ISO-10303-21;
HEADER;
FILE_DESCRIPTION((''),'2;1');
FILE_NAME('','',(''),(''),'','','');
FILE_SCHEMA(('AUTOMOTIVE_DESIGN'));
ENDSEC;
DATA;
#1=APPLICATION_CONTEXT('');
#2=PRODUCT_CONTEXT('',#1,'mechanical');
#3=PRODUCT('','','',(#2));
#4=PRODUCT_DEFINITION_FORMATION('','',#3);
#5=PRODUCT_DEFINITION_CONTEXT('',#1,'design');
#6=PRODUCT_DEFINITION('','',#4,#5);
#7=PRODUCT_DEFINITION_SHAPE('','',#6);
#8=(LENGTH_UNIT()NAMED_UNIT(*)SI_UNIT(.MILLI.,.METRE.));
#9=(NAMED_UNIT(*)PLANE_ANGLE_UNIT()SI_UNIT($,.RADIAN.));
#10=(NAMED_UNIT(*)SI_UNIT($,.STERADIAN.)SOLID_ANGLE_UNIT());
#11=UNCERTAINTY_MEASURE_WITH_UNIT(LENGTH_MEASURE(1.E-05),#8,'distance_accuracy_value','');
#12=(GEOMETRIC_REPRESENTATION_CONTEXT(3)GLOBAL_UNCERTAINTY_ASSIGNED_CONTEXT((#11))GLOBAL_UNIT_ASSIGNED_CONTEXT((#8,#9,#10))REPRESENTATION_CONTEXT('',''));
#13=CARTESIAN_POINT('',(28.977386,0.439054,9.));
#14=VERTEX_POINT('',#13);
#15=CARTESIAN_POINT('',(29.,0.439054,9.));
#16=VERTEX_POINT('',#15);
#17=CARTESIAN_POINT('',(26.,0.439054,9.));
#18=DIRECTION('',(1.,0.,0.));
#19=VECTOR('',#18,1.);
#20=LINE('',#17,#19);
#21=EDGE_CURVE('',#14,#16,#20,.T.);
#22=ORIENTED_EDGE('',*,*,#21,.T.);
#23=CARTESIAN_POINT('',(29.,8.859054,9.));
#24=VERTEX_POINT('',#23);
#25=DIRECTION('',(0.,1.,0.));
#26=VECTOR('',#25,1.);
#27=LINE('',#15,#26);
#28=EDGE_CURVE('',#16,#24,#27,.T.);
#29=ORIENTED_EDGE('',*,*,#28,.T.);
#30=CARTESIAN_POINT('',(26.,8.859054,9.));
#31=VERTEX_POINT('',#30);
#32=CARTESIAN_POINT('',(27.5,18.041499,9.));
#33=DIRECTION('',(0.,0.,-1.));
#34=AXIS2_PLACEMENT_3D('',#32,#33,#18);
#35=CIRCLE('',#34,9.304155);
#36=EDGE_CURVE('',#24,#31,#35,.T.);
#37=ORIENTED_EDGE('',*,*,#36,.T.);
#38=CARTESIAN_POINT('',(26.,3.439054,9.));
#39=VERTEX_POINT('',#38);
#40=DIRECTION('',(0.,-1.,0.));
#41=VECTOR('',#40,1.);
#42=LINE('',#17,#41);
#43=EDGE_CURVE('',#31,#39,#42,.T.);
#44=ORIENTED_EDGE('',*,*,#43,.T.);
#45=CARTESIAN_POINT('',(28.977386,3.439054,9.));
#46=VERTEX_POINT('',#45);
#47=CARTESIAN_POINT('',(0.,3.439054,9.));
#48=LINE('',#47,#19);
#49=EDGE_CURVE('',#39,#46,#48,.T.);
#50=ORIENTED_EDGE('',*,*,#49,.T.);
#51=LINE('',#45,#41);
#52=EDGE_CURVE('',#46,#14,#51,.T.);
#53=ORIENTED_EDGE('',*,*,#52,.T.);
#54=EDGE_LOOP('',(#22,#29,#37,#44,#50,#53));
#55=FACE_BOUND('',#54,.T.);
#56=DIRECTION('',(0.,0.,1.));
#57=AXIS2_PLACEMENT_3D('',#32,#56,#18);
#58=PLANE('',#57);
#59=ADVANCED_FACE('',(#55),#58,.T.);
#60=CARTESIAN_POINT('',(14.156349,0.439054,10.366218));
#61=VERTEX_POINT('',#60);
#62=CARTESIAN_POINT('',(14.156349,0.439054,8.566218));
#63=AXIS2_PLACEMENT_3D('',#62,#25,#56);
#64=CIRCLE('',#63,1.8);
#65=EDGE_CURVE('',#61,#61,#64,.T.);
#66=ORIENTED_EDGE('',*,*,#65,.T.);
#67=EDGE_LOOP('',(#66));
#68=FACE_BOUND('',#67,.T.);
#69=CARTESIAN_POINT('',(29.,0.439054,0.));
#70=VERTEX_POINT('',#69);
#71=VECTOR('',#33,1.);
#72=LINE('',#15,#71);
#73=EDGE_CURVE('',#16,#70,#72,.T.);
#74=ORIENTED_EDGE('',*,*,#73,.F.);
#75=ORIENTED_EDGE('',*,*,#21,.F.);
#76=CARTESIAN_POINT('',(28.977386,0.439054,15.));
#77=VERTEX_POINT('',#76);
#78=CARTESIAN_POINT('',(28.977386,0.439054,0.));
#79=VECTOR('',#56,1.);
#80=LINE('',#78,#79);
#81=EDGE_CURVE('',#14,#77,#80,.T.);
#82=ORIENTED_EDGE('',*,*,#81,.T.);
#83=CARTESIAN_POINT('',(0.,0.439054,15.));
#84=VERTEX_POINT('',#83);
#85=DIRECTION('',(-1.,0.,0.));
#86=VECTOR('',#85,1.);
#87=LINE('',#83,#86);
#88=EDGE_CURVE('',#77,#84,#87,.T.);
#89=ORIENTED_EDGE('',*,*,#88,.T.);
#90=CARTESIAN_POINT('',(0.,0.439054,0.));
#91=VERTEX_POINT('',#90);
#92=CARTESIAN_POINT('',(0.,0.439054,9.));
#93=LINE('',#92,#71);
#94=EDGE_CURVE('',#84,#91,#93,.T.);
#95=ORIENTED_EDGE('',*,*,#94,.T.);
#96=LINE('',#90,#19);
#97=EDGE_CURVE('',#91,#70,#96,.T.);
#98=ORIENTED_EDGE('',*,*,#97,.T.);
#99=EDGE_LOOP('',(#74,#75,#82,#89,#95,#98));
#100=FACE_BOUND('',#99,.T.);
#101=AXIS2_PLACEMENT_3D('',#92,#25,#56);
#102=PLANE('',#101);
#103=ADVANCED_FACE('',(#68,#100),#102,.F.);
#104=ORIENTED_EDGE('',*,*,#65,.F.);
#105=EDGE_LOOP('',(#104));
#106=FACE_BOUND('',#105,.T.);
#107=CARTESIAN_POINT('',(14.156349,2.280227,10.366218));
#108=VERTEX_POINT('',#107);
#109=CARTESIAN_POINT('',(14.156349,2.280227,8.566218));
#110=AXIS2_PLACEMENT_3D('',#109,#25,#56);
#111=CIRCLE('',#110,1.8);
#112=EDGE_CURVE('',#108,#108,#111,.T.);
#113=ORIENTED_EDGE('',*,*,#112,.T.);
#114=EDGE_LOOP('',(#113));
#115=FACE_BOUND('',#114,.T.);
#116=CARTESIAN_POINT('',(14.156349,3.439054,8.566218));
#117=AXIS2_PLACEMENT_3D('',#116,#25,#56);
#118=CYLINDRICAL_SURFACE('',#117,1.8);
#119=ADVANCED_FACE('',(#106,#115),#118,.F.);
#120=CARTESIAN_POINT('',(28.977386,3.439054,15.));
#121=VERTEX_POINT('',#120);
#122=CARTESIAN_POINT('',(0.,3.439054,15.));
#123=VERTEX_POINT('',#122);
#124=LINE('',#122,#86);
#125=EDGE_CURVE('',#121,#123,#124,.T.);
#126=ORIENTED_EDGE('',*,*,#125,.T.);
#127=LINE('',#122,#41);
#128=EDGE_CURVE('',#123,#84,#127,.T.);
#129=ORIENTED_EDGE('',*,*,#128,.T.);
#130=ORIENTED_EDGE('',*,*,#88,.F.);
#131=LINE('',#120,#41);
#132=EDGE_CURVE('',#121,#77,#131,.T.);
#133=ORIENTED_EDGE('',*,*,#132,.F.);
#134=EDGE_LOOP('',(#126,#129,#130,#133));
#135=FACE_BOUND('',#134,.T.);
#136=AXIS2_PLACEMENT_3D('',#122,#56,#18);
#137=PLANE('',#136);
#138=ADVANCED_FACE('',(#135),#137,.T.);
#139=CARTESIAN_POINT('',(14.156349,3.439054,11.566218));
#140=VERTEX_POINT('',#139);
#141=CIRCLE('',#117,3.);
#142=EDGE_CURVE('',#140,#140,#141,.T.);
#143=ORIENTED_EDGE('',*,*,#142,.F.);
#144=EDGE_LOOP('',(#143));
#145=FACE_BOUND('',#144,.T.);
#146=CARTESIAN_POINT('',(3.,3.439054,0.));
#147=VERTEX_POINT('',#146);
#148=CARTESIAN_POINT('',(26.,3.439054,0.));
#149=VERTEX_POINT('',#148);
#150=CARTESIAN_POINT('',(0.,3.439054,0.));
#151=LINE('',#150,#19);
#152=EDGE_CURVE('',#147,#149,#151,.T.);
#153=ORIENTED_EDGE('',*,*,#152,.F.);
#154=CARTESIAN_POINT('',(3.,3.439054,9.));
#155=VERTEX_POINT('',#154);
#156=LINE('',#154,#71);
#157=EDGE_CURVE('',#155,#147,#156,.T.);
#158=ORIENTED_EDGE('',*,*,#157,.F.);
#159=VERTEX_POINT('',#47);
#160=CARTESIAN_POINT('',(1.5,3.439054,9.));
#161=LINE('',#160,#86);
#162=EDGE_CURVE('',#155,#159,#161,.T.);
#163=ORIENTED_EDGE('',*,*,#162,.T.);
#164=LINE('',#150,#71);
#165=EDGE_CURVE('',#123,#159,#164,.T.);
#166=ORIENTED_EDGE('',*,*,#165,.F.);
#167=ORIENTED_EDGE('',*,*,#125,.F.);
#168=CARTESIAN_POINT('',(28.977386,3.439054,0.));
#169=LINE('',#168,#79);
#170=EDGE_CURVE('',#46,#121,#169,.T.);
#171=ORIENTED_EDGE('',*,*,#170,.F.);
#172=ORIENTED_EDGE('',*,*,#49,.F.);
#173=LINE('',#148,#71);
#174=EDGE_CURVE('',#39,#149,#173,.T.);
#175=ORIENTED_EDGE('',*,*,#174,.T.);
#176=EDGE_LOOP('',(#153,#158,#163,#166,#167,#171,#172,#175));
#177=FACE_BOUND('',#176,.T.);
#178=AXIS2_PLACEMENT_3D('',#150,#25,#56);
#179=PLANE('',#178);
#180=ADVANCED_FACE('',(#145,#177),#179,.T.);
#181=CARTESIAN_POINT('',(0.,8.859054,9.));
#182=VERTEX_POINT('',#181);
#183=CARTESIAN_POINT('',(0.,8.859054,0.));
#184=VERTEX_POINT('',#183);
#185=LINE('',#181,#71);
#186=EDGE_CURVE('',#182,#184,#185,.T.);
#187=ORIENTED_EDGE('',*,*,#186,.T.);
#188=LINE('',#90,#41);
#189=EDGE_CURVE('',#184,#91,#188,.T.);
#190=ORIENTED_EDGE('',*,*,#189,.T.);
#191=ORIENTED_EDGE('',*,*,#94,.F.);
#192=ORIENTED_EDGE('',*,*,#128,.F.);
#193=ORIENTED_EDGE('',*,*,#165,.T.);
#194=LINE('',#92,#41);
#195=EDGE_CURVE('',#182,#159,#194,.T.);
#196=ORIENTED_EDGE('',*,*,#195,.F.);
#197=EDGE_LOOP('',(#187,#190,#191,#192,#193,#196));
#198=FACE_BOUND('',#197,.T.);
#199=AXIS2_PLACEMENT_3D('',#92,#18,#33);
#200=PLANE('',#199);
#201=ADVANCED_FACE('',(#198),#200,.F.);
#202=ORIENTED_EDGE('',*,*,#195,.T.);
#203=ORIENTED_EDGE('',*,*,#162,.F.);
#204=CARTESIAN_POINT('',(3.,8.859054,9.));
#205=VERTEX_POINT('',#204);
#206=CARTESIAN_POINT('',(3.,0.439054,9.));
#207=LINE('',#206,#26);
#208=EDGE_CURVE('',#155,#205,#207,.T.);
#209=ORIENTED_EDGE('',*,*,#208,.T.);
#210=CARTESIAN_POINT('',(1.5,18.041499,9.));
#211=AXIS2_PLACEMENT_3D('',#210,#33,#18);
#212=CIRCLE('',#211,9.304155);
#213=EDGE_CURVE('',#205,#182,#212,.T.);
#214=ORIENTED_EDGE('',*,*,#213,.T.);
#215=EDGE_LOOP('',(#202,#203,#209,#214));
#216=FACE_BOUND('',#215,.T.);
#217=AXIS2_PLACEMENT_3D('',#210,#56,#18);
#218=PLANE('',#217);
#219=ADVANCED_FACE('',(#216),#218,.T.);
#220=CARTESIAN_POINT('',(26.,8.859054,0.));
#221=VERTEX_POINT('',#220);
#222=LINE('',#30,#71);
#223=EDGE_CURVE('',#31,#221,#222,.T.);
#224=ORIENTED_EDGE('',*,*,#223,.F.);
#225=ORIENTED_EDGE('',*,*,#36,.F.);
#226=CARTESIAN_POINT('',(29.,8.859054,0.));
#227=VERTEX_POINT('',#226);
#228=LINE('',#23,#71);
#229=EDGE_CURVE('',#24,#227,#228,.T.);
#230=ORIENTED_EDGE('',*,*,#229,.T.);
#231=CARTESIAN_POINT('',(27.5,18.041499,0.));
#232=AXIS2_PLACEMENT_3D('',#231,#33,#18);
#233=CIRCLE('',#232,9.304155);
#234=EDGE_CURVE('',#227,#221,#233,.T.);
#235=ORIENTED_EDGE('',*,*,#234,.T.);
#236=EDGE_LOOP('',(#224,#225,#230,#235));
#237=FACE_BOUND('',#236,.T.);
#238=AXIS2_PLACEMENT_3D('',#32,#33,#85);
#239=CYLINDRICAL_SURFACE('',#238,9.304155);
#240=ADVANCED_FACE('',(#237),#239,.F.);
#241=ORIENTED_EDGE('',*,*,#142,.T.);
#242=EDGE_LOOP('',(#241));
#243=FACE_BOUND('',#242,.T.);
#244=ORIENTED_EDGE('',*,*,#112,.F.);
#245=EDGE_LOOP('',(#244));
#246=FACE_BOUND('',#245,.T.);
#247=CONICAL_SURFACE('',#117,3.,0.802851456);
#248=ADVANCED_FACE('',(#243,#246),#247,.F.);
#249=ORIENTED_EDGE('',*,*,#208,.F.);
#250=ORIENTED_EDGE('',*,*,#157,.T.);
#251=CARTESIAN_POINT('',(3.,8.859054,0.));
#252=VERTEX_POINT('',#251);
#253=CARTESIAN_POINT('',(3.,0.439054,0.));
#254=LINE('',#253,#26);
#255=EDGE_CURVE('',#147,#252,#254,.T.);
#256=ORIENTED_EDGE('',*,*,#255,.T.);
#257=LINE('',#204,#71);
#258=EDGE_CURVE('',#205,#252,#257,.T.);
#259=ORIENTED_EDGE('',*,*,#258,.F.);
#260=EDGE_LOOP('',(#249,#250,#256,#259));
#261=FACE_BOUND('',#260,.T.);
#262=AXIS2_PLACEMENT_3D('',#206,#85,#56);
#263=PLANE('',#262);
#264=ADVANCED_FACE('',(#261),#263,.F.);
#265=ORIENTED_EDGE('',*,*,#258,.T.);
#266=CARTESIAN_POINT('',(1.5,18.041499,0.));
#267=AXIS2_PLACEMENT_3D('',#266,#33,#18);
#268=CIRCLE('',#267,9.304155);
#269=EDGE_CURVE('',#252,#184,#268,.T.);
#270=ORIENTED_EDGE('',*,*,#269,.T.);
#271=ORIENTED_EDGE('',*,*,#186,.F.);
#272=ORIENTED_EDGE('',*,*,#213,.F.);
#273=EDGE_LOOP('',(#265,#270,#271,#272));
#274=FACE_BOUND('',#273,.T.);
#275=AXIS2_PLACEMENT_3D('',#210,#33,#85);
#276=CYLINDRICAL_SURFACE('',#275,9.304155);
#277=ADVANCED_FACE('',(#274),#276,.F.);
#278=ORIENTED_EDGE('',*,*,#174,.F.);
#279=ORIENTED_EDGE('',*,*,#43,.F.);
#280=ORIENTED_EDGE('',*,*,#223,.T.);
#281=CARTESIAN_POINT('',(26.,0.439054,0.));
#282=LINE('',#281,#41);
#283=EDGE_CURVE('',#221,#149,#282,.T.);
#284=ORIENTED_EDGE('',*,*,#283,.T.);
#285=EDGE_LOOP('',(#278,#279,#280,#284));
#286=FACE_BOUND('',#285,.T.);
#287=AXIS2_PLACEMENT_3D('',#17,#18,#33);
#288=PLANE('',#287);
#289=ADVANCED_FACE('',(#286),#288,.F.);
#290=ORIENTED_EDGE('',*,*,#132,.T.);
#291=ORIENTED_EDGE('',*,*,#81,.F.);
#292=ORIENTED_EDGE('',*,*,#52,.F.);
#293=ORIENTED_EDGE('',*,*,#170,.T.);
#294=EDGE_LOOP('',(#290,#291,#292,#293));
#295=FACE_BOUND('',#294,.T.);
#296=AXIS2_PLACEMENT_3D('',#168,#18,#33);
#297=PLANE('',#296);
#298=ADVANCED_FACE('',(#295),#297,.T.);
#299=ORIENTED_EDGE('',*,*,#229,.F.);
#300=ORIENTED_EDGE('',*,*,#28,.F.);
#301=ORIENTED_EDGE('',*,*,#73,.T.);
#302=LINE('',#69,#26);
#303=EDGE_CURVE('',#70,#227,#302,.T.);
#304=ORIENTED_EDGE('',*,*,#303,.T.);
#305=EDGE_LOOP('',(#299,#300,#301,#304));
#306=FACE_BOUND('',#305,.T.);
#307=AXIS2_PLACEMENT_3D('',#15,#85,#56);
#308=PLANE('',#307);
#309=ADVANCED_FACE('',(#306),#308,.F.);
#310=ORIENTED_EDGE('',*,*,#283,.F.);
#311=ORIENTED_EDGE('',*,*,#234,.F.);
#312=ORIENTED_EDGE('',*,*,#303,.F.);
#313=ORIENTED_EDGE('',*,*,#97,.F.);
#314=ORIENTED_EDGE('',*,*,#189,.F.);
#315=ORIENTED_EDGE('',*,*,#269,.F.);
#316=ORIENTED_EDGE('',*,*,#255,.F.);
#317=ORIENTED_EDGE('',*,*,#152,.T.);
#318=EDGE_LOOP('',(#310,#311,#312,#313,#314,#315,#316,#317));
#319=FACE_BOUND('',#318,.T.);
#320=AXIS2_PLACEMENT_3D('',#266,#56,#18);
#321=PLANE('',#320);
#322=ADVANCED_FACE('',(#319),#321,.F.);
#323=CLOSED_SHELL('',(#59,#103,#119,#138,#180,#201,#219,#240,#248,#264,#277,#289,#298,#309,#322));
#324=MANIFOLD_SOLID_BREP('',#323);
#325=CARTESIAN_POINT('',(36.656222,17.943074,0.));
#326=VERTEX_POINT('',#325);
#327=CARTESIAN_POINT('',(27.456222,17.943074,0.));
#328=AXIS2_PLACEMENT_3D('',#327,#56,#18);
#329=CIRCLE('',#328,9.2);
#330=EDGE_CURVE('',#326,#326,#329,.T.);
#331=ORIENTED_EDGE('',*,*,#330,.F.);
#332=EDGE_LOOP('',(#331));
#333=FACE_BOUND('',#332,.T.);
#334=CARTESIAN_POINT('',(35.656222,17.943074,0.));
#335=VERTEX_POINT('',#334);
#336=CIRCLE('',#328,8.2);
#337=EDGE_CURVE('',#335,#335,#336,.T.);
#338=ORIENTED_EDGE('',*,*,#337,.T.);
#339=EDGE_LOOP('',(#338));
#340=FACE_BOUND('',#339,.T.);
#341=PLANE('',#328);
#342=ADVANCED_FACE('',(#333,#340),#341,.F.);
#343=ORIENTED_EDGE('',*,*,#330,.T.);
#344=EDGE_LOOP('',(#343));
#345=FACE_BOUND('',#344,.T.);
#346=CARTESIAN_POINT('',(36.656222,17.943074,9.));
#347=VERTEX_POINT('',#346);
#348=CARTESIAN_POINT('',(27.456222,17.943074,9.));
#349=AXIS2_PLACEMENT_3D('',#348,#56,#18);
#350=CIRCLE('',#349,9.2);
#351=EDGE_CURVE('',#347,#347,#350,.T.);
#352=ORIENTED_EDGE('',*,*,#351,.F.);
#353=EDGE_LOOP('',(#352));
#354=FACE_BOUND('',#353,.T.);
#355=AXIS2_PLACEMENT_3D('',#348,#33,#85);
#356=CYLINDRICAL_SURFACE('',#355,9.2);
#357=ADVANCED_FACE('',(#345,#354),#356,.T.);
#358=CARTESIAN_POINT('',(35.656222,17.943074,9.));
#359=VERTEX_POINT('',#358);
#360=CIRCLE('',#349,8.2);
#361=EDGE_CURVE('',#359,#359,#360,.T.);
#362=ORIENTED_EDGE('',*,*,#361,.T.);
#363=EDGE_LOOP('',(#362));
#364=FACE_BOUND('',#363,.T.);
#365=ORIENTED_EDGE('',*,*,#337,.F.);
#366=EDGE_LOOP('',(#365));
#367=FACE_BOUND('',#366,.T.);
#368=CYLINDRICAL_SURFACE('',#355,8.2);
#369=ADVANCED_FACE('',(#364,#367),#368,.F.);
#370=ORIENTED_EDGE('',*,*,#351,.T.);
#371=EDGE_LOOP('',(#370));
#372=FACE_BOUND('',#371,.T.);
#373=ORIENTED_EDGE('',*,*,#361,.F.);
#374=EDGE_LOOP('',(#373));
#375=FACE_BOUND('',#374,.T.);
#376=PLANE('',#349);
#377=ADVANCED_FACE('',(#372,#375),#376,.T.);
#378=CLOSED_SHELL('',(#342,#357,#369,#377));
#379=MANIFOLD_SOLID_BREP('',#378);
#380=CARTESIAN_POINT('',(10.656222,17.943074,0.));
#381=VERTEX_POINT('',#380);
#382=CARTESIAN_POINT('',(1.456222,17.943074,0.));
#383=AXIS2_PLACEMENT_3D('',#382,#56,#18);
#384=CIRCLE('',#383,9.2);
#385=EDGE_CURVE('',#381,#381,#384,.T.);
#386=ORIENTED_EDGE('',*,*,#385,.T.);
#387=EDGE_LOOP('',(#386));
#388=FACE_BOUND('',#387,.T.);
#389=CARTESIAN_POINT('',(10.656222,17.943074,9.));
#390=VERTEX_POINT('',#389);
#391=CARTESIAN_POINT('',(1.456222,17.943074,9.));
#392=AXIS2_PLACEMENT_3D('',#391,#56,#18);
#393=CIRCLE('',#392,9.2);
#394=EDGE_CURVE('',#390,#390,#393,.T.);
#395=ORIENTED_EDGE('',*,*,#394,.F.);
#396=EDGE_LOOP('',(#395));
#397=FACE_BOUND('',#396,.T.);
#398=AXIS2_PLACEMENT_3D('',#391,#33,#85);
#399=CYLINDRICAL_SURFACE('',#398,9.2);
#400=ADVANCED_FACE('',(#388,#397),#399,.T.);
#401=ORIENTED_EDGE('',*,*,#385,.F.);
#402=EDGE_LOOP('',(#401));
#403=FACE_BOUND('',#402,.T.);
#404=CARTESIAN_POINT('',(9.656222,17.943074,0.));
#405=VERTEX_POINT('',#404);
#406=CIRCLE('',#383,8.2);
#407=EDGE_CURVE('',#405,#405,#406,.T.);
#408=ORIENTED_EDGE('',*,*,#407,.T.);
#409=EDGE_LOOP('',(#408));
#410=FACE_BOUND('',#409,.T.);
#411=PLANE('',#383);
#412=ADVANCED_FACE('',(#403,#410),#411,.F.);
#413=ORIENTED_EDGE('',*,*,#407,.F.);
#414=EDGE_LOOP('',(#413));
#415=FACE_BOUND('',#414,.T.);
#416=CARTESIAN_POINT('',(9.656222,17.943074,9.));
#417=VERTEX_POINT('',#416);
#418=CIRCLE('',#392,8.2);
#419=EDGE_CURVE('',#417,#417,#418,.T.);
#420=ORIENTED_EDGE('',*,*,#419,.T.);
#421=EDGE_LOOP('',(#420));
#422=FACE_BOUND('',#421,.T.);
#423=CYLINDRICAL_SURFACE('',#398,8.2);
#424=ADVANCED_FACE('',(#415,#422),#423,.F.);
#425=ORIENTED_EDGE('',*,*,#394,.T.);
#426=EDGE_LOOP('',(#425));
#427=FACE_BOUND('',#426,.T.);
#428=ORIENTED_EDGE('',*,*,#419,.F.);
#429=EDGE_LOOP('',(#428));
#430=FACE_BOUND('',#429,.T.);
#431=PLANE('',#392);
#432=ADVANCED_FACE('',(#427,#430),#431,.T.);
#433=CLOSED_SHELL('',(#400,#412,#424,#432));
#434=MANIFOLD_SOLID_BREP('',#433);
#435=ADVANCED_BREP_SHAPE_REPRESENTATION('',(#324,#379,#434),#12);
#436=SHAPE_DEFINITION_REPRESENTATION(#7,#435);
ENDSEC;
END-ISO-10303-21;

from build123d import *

# Parameters (mm, degrees)
SKETCH1_R             = 9.2
SKETCH1_R_2           = 8.2
BOSS_EXTRUDE1_DEPTH   = 9
BOSS_EXTRUDE1_2_DEPTH = 9
BOSS_EXTRUDE2_DEPTH   = 9
BOSS_EXTRUDE3_DEPTH   = 9
SKETCH4_W             = 28.977386058
SKETCH4_H             = 15
BOSS_EXTRUDE4_DEPTH   = 3


with BuildPart() as part:
    # Sketch1 → Boss-Extrude1 (new body)
    with BuildSketch(Plane.XY):
        with Locations((1.456222439, 17.943073581)):
            Circle(SKETCH1_R)
        with Locations((1.456222439, 17.943073581)):
            Circle(SKETCH1_R_2, mode=Mode.SUBTRACT)
    extrude(amount=BOSS_EXTRUDE1_DEPTH)


with BuildPart() as body_2:
    # Sketch1 → Boss-Extrude1 2 (new body)
    with BuildSketch(Plane.XY):
        with Locations((27.456222439, 17.943073581)):
            Circle(SKETCH1_R)
        with Locations((27.456222439, 17.943073581)):
            Circle(SKETCH1_R_2, mode=Mode.SUBTRACT)
    extrude(amount=BOSS_EXTRUDE1_2_DEPTH)


with BuildPart() as body_3:
    # Sketch2 → Boss-Extrude2 (new body)
    with BuildSketch(Plane.XY):
        with BuildLine():
            Line((0, 0.439053754), (3, 0.439053754))
            Line((3, 0.439053754), (3, 8.859053754))
            ThreePointArc((3, 8.859053754), (1.5, 8.737343973), (0, 8.859053754))
            Line((0, 8.859053754), (0, 0.439053754))
        make_face()
    extrude(amount=BOSS_EXTRUDE2_DEPTH)



with BuildPart() as body_4:
    # Sketch3 → Boss-Extrude3 (new body)
    with BuildSketch(Plane.XY):
        with BuildLine():
            Line((26, 0.439053754), (29, 0.439053754))
            Line((29, 0.439053754), (29, 8.859053754))
            ThreePointArc((29, 8.859053754), (27.5, 8.737343973), (26, 8.859053754))
            Line((26, 8.859053754), (26, 0.439053754))
        make_face()
    extrude(amount=BOSS_EXTRUDE3_DEPTH)


with BuildPart() as body_3_1:
    add(body_3.part)

    add(body_4.part)  # Boss-Extrude4 merges body 4
    # Sketch4 → Boss-Extrude4 (add)
    with BuildSketch(Plane(origin=(0, 0.439053754, 0), x_dir=(-1, 0, 0), z_dir=(0, -1, 0))):
        with Locations((-14.488693029, -7.5)):
            Rectangle(SKETCH4_W, SKETCH4_H)
    extrude(amount=-BOSS_EXTRUDE4_DEPTH)

    # Sketch5 → Avellanado para tornillo con cabeza avellanada en cruz de M31 (revolve, cut)
    with BuildSketch(Plane(origin=(14.156348597, 3.439053754, 8.566218105), x_dir=(0, 0, 1), z_dir=(1, 0, 0))):
        Polygon((0, 0), (0, 11.081549114), (1.8, 10), (1.8, 1.15882653), (3, 0), align=None)
    revolve(axis=Axis((14.156348597, 9.789053754, 8.566218105), (0, -1, 0)), mode=Mode.SUBTRACT)


solid = Compound([part.part, body_2.part, body_3_1.part])
